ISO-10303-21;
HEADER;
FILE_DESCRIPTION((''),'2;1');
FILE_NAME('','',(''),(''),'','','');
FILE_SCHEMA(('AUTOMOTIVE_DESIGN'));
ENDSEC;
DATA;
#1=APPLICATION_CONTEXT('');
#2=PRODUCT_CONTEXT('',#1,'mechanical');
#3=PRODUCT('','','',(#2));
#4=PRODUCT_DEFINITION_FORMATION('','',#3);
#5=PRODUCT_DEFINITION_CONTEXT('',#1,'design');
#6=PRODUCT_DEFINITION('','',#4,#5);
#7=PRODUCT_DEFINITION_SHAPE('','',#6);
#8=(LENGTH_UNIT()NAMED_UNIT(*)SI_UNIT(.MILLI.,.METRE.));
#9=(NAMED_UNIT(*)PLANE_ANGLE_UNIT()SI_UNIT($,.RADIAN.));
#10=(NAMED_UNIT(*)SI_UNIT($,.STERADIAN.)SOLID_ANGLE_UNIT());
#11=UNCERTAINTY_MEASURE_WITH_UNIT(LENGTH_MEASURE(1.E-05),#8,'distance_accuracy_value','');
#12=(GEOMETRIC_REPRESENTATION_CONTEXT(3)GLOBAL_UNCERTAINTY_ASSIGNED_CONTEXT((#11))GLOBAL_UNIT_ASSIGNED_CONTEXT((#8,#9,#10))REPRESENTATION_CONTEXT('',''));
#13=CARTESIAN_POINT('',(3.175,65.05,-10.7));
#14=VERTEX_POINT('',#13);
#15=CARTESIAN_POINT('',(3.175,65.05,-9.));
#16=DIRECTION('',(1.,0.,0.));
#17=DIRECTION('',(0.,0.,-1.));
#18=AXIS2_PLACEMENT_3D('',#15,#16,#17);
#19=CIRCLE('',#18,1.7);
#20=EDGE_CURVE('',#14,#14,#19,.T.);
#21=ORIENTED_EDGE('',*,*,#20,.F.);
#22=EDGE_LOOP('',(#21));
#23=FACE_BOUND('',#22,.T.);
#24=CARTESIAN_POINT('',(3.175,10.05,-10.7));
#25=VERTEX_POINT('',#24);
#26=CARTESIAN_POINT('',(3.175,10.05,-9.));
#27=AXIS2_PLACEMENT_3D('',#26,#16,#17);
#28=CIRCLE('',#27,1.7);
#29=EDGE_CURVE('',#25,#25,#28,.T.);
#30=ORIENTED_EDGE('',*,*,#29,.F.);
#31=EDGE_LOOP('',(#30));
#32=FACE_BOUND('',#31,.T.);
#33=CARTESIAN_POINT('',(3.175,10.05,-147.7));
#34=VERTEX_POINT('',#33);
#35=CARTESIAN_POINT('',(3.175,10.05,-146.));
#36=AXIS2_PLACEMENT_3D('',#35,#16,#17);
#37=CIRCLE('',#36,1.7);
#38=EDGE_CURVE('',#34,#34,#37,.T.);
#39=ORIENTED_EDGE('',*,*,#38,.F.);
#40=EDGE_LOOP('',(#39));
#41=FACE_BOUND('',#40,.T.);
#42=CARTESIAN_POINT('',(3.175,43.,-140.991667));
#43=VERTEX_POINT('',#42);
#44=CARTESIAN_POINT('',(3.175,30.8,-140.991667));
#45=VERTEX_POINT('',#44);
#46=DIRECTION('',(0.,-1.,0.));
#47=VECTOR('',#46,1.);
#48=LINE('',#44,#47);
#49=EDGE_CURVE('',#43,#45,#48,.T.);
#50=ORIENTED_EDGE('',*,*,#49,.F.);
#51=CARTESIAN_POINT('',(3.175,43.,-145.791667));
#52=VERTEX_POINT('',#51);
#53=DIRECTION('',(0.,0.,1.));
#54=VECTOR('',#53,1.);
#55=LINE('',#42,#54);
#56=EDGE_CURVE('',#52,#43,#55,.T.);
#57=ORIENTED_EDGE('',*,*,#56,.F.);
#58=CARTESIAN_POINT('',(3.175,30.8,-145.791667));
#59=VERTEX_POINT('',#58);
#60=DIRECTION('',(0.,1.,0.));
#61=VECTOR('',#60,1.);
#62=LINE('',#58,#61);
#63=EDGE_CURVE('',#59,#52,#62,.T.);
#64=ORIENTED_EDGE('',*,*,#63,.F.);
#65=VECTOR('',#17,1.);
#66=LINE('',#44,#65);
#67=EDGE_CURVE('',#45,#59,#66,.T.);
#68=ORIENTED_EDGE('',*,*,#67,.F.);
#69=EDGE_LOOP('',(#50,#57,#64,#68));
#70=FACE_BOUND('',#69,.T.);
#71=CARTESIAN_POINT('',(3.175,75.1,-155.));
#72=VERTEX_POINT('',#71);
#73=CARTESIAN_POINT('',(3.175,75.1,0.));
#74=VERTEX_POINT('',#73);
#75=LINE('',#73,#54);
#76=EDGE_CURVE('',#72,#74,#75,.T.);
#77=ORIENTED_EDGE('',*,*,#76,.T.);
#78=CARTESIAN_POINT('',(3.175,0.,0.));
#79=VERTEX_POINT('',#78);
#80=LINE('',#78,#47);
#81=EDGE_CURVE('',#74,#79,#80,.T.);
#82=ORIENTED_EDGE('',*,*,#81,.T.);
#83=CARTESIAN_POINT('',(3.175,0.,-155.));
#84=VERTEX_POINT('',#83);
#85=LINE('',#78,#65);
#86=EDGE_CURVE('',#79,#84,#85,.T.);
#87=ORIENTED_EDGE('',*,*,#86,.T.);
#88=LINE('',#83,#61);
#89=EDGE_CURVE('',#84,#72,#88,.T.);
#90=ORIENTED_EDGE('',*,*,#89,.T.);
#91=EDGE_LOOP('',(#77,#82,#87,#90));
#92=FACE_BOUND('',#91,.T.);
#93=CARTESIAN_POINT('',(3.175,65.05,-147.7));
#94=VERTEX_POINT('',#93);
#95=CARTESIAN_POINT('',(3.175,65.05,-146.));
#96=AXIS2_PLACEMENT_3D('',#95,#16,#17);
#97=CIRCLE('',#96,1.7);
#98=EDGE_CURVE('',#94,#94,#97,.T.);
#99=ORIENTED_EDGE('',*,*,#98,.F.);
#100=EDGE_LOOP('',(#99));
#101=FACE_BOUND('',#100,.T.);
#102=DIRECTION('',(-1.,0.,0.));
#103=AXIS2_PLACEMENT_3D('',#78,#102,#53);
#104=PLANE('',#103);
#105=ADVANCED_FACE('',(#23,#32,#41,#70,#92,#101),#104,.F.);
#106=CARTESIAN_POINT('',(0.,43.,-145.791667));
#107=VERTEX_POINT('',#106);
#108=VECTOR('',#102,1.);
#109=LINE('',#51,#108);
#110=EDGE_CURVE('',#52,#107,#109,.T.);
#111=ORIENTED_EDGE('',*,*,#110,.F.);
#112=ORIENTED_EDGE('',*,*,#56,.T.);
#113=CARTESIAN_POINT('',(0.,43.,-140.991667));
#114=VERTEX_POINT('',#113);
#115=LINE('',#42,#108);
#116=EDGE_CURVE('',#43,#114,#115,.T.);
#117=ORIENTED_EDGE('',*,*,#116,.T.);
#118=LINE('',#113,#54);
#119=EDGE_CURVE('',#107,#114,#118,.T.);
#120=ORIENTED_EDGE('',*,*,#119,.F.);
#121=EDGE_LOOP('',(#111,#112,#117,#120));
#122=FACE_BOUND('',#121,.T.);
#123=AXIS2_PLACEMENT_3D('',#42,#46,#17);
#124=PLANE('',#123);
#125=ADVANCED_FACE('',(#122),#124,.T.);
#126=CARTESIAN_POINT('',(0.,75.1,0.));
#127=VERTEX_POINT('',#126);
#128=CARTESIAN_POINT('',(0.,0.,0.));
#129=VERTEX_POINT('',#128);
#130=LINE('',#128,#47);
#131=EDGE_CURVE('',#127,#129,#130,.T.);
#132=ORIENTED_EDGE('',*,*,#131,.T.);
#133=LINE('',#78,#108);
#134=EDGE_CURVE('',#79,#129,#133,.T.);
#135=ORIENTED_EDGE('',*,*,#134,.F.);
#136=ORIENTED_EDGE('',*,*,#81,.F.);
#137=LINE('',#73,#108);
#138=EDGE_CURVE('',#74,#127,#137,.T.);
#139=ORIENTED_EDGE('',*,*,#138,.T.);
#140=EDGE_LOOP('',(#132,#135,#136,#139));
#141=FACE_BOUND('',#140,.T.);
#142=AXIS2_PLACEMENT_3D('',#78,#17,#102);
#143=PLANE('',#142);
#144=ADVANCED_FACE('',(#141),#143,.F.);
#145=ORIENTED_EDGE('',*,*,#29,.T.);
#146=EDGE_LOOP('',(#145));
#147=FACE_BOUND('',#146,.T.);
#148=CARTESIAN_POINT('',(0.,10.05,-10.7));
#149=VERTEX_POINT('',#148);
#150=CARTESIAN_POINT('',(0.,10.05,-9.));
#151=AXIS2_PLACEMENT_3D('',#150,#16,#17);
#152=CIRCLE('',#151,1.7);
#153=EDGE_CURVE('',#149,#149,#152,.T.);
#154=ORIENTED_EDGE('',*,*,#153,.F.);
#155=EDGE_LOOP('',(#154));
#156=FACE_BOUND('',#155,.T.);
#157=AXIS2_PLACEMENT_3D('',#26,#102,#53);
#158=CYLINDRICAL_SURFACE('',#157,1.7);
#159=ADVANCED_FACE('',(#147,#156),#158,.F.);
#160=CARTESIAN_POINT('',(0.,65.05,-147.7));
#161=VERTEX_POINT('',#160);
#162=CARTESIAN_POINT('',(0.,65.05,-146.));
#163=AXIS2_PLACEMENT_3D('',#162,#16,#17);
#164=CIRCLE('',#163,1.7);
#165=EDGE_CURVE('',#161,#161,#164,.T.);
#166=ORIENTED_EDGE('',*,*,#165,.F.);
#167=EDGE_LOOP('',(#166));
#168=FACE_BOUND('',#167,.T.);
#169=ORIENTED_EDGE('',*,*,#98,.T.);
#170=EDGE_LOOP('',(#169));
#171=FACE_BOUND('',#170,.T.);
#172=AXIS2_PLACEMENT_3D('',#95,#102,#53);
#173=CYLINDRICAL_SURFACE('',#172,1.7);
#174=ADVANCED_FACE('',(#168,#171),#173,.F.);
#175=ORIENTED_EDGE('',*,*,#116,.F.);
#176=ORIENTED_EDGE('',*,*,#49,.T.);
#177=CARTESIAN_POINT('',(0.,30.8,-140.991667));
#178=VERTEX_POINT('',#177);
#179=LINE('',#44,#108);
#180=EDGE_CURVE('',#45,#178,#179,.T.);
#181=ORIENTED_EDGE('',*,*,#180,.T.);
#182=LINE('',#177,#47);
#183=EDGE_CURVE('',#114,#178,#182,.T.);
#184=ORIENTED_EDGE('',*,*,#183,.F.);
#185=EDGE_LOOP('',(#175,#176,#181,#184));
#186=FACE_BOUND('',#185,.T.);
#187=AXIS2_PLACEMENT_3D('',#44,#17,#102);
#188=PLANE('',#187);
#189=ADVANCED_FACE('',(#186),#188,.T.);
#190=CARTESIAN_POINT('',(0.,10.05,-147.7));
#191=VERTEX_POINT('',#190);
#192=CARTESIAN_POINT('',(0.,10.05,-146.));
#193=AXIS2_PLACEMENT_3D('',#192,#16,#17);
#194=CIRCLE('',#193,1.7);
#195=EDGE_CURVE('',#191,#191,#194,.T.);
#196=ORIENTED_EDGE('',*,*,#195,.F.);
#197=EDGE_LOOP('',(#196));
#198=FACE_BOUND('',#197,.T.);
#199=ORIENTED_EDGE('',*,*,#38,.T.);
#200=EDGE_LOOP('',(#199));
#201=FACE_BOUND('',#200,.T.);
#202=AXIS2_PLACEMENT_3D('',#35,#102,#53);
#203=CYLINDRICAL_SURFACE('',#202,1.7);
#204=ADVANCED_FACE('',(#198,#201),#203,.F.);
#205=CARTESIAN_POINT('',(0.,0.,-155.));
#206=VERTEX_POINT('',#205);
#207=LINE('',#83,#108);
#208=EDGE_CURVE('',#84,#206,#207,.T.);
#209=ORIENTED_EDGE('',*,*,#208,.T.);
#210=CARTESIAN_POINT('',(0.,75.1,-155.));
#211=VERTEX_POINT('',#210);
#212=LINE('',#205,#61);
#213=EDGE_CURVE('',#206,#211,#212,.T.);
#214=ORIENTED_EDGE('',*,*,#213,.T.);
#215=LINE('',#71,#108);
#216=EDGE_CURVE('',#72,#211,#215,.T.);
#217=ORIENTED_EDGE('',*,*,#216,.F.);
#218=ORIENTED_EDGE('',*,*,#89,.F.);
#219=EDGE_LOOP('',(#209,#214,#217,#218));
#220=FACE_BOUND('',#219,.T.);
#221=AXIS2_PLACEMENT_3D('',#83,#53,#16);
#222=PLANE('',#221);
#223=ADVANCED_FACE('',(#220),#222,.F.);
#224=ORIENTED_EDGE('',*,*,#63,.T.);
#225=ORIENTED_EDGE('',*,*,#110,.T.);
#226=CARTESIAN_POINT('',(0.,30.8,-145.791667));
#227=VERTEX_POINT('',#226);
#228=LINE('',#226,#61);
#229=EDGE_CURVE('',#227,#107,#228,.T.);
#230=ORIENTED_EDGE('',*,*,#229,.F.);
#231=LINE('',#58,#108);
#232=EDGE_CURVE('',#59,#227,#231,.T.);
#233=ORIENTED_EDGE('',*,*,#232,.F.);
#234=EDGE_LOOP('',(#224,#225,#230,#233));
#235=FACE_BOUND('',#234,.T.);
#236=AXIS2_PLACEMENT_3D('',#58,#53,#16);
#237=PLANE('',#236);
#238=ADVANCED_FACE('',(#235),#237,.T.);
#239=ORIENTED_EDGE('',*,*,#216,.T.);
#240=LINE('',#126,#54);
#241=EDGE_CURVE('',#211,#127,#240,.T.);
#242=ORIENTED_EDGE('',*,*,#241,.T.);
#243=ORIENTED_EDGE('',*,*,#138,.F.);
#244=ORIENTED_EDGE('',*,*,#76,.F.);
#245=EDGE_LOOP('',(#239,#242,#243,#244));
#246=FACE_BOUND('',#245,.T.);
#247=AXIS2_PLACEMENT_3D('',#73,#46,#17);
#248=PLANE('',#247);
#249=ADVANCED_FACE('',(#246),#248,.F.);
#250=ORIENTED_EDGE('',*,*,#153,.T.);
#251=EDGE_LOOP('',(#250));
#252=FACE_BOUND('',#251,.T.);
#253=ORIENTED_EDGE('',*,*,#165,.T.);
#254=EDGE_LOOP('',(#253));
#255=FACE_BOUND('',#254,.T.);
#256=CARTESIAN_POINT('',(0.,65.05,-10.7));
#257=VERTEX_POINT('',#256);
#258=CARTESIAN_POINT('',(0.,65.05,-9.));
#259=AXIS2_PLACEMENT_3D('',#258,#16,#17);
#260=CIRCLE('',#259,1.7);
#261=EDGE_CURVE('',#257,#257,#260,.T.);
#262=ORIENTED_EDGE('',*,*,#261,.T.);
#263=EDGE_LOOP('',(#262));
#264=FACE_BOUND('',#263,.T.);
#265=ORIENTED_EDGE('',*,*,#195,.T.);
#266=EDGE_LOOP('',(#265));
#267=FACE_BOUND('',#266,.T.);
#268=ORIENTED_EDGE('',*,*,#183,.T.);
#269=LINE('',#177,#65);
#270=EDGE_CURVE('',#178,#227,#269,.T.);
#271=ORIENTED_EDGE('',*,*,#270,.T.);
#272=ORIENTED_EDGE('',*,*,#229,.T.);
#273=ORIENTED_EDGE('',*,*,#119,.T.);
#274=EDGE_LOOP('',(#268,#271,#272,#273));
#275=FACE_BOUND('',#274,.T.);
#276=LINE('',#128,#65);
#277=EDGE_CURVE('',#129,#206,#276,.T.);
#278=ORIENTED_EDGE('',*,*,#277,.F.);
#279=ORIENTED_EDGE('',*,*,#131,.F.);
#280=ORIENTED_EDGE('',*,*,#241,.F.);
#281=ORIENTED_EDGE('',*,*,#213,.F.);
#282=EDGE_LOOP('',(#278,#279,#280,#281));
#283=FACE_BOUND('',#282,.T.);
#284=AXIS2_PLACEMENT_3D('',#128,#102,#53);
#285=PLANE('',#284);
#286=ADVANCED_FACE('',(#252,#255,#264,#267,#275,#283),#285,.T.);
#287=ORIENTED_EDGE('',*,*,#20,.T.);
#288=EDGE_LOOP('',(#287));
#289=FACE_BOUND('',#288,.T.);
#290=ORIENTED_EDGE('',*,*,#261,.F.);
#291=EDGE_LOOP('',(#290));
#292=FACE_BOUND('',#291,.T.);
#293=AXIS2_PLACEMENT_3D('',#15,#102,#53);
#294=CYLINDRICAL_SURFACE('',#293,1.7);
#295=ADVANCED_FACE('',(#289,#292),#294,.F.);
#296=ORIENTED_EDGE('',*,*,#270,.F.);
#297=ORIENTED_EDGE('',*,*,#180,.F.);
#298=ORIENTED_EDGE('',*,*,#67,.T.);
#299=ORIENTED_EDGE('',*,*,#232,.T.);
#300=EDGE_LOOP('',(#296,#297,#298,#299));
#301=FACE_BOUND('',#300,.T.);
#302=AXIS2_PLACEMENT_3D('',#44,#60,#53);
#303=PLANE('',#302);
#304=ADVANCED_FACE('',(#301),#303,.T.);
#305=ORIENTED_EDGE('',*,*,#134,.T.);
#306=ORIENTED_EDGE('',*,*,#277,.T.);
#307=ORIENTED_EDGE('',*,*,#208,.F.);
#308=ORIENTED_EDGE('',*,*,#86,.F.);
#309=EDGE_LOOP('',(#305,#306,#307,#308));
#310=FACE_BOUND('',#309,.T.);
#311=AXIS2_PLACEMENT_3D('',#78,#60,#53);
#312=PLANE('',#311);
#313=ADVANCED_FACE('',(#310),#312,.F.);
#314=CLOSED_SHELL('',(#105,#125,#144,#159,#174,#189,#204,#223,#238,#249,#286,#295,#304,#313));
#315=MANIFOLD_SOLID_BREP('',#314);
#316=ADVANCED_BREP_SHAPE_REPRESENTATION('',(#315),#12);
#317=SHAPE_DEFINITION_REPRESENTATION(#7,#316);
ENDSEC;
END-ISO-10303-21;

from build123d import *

# Parameters (mm, degrees)
SKETCH3_W           = 155
SKETCH3_H           = 75.1
SKETCH3_R           = 1.7
SKETCH3_W_2         = 4.8
SKETCH3_H_2         = 12.2
BOSS_EXTRUDE1_DEPTH = 3.175


with BuildPart() as part:
    # Sketch3 → Boss-Extrude1 (new body)
    with BuildSketch(Plane(origin=(0, 0, 0), x_dir=(0, 0, -1), z_dir=(1, 0, 0))):
        with Locations((77.5, 37.55)):
            Rectangle(SKETCH3_W, SKETCH3_H)
        with Locations((9, 10.05)):
            Circle(SKETCH3_R, mode=Mode.SUBTRACT)
        with Locations((146, 10.05)):
            Circle(SKETCH3_R, mode=Mode.SUBTRACT)
        with Locations((146, 65.05)):
            Circle(SKETCH3_R, mode=Mode.SUBTRACT)
        with Locations((9, 65.05)):
            Circle(SKETCH3_R, mode=Mode.SUBTRACT)
        with Locations((143.391666667, 36.9)):
            Rectangle(SKETCH3_W_2, SKETCH3_H_2, mode=Mode.SUBTRACT)
    extrude(amount=BOSS_EXTRUDE1_DEPTH)


solid = part.part
